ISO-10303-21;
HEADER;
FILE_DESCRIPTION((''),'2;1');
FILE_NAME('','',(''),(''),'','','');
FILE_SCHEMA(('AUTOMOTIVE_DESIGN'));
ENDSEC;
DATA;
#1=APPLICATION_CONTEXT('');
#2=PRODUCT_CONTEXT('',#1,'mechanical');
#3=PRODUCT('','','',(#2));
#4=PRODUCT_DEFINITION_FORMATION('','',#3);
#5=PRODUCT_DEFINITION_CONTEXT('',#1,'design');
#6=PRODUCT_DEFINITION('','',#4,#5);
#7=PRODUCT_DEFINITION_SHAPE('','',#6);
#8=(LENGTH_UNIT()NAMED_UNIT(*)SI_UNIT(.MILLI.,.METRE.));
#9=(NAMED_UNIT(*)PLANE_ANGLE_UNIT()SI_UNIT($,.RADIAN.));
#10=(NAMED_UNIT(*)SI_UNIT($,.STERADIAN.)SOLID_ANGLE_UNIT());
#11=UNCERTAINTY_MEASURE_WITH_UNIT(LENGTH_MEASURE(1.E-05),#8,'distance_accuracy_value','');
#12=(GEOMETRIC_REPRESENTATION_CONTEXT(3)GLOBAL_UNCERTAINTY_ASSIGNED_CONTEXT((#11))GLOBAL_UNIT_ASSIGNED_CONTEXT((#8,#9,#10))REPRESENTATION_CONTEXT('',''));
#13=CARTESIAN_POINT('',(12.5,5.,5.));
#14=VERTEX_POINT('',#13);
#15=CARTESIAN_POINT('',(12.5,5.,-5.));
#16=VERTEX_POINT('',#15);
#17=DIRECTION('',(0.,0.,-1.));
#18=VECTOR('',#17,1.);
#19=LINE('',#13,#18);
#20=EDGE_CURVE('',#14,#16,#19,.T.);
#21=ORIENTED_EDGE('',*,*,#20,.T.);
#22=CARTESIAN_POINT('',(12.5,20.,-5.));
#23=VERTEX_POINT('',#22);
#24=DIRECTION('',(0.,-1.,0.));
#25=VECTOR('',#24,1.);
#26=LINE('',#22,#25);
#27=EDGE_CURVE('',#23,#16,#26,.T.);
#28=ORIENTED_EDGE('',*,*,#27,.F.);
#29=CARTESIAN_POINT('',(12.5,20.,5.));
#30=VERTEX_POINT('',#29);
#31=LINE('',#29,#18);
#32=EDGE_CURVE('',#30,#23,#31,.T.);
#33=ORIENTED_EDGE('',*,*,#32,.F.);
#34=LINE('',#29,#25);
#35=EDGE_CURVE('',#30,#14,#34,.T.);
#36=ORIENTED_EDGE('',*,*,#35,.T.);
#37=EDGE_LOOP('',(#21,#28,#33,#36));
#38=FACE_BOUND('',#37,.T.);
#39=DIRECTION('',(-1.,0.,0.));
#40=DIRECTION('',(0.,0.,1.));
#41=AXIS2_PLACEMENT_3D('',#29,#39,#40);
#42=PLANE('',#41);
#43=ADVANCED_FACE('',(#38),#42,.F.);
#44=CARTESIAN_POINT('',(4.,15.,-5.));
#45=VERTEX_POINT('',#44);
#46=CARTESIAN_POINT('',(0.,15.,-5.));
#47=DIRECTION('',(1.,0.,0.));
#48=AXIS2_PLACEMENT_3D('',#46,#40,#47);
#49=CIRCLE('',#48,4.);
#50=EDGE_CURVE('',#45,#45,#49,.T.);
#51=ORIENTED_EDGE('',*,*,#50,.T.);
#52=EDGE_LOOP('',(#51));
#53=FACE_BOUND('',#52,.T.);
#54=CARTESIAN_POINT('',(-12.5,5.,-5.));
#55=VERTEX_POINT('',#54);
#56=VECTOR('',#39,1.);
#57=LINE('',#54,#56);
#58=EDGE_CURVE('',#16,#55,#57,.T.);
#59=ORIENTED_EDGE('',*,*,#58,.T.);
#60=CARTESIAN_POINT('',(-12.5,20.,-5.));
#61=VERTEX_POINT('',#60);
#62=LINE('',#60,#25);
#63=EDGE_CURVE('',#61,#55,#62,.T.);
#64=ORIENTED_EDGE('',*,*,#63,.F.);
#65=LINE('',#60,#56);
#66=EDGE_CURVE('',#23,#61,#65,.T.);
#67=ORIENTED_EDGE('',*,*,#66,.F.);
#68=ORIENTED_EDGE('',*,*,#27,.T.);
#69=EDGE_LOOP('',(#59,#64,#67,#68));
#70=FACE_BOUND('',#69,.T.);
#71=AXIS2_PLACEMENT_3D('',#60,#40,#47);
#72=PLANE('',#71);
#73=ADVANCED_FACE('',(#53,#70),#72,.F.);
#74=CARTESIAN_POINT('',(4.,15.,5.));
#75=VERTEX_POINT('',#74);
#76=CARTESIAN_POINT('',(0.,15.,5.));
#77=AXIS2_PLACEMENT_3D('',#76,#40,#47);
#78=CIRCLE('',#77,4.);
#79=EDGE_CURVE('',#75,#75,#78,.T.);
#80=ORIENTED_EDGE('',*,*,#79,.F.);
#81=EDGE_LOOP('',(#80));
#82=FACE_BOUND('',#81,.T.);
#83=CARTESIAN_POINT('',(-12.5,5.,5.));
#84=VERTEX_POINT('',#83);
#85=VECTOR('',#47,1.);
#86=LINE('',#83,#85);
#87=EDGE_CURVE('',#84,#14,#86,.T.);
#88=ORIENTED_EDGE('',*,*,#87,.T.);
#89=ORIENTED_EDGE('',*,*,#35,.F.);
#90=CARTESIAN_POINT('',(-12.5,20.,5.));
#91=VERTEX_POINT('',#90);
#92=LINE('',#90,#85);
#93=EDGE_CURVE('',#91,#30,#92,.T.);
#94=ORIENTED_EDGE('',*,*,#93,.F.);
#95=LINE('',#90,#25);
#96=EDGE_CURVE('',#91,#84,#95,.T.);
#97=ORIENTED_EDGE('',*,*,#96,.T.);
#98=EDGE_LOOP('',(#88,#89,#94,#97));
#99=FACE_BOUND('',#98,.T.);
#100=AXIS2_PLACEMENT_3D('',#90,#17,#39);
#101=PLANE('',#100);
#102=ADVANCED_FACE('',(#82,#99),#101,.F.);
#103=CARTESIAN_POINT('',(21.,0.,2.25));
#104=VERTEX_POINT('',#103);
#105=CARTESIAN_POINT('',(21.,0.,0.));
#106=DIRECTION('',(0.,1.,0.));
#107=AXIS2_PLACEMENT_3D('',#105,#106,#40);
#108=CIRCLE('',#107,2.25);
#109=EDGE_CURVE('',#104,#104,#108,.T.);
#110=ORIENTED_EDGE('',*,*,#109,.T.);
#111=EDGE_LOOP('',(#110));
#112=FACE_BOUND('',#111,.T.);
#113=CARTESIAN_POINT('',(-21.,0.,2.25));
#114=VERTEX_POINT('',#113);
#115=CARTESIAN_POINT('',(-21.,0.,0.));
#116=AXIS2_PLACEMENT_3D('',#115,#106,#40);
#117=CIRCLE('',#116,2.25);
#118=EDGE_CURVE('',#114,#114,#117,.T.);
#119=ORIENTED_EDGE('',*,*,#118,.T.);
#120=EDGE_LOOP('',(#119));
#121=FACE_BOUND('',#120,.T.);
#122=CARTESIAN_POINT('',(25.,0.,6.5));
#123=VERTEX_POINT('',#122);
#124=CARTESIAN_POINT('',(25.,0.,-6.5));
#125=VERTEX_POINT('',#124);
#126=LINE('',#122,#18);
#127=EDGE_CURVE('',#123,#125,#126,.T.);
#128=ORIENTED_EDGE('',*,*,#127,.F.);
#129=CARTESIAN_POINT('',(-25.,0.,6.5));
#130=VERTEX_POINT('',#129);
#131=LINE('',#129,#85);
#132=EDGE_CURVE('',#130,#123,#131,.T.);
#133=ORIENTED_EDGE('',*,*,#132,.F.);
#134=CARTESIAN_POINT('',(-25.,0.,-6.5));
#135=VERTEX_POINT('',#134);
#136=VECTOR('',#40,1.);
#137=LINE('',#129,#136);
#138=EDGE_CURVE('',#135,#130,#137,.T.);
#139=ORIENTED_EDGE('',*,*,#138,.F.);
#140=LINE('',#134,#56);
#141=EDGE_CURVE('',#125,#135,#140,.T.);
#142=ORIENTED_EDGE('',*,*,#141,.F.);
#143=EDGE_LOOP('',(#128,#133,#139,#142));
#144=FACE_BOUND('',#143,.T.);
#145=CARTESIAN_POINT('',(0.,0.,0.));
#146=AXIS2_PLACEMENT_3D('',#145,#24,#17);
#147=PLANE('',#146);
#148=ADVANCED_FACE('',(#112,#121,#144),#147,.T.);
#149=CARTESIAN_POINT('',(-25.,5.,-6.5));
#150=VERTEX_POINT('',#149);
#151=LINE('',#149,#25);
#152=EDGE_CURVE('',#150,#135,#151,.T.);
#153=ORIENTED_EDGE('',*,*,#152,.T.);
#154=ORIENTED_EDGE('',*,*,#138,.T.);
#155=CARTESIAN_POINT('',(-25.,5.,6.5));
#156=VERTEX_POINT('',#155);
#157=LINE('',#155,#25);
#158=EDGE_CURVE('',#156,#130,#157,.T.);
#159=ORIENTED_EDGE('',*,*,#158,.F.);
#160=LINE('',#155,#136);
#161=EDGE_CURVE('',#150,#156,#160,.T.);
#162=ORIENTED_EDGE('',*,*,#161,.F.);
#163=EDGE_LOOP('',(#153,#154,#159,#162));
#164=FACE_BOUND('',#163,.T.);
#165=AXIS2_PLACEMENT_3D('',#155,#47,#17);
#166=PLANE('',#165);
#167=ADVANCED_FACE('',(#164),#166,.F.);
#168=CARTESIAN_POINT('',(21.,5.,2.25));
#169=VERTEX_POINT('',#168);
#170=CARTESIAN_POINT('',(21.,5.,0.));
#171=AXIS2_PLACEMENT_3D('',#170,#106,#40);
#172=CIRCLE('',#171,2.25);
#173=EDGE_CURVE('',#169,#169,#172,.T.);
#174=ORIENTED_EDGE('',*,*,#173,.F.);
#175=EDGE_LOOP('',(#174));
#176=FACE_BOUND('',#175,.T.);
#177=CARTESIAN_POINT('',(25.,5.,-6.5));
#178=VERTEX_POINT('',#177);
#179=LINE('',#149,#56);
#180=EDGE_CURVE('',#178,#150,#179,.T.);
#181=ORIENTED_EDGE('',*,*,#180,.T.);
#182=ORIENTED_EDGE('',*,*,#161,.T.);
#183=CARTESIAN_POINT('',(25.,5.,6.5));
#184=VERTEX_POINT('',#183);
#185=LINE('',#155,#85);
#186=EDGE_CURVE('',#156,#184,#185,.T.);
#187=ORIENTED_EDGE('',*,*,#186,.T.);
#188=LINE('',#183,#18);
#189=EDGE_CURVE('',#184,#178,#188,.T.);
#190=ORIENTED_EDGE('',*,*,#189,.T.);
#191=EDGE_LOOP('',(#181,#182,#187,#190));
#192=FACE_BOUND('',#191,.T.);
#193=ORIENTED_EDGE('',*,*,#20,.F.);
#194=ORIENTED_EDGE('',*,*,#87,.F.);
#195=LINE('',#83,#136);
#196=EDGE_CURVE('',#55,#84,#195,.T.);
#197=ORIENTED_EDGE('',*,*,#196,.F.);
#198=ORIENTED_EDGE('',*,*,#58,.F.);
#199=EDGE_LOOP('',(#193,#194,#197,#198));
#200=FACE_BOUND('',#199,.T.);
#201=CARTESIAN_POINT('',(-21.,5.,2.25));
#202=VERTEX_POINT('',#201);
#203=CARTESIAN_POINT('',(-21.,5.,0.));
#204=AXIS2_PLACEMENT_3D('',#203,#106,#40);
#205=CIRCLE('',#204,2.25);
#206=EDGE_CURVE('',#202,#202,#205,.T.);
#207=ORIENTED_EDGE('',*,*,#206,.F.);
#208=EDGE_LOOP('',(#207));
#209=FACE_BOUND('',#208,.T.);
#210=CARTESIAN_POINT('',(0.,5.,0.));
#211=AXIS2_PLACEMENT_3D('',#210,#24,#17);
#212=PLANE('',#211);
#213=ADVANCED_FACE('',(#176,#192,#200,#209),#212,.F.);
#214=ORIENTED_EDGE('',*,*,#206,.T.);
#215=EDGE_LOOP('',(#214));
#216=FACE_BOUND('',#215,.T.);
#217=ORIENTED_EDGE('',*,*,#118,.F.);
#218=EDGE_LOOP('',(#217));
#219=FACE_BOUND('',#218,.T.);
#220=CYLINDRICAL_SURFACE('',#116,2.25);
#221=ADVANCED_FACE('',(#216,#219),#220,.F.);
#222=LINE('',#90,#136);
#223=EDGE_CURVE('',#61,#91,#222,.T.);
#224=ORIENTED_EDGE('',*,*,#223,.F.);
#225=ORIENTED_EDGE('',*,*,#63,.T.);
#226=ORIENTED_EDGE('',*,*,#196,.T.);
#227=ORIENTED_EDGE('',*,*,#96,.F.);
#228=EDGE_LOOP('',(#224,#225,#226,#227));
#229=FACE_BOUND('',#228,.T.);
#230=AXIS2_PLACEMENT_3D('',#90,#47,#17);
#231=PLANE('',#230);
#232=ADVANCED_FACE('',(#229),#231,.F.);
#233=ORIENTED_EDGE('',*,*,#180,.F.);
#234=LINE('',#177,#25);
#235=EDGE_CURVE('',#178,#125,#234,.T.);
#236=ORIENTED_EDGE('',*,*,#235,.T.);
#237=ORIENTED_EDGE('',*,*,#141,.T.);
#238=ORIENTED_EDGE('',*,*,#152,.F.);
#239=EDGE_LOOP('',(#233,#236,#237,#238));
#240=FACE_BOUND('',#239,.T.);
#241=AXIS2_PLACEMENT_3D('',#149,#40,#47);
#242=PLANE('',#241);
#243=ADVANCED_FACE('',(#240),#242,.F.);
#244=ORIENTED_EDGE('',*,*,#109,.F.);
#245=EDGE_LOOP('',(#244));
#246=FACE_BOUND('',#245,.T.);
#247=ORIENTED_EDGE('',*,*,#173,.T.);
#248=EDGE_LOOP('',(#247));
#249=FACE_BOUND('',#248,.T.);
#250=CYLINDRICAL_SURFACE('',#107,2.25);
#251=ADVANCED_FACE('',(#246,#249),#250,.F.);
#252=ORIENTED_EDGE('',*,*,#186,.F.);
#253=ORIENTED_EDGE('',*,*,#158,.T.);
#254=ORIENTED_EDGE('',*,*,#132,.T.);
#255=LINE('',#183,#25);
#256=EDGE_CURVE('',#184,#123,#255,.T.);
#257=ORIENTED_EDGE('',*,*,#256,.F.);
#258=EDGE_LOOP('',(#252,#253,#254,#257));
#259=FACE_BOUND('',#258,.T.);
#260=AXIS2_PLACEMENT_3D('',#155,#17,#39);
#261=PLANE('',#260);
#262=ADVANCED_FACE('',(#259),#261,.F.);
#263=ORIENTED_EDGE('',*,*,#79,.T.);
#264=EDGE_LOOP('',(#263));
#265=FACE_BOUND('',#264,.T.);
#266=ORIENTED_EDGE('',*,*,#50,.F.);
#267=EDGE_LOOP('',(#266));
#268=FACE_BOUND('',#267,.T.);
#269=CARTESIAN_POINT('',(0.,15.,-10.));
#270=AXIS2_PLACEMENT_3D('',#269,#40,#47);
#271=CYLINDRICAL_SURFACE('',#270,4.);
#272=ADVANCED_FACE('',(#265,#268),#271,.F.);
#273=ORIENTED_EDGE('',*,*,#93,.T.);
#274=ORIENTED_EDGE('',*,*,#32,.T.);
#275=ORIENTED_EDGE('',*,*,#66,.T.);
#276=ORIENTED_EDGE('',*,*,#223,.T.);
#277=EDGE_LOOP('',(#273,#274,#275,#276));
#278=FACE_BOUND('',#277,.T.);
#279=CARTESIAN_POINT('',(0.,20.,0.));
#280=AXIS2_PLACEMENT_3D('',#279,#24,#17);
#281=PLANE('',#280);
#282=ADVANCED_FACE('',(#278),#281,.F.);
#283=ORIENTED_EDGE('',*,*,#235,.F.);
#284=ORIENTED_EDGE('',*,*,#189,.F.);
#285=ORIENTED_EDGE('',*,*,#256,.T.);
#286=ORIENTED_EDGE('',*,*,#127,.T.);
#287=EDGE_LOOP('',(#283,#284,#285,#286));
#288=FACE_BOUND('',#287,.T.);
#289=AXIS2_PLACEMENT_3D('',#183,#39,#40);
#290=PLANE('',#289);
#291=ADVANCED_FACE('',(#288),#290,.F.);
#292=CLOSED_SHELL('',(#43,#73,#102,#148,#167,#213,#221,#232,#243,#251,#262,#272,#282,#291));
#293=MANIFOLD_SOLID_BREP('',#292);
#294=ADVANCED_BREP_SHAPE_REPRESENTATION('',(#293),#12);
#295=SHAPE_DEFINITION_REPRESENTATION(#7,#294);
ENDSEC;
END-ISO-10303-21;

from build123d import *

# Parameters (mm, degrees)
SKETCH1_W           = 50
SKETCH1_H           = 13
BOSS_EXTRUDE1_DEPTH = 5
SKETCH2_R           = 2.25
CUT_EXTRUDE1_DEPTH  = 5
SKETCH3_W           = 25
SKETCH3_H           = 10
BOSS_EXTRUDE2_DEPTH = 15
SKETCH4_R           = 4
CUT_EXTRUDE2_DEPTH  = 15


with BuildPart() as part:
    # Sketch1 → Boss-Extrude1 (new body)
    with BuildSketch(Plane(origin=(0, 0, 0), x_dir=(1, 0, 0), z_dir=(0, 1, 0))):
        Rectangle(SKETCH1_W, SKETCH1_H)
    extrude(amount=BOSS_EXTRUDE1_DEPTH)

    # Sketch2 → Cut-Extrude1 (cut)
    with BuildSketch(Plane(origin=(0, 5, 0), x_dir=(1, 0, 0), z_dir=(0, 1, 0))):
        with Locations(Location((-21, 0, 0), (0, 0, 270))):
            Circle(SKETCH2_R)
        with Locations(Location((21, 0, 0), (0, 0, 270))):
            Circle(SKETCH2_R)
    extrude(amount=-CUT_EXTRUDE1_DEPTH, mode=Mode.SUBTRACT)

    # Sketch3 → Boss-Extrude2 (add)
    with BuildSketch(Plane(origin=(0, 5, 0), x_dir=(1, 0, 0), z_dir=(0, 1, 0))):
        Rectangle(SKETCH3_W, SKETCH3_H)
    extrude(amount=BOSS_EXTRUDE2_DEPTH)

    # Sketch4 → Cut-Extrude2 (cut)
    with BuildSketch(Plane.XY.offset(5)):
        with Locations((0, 15)):
            Circle(SKETCH4_R)
    extrude(amount=-CUT_EXTRUDE2_DEPTH, mode=Mode.SUBTRACT)


solid = part.part
